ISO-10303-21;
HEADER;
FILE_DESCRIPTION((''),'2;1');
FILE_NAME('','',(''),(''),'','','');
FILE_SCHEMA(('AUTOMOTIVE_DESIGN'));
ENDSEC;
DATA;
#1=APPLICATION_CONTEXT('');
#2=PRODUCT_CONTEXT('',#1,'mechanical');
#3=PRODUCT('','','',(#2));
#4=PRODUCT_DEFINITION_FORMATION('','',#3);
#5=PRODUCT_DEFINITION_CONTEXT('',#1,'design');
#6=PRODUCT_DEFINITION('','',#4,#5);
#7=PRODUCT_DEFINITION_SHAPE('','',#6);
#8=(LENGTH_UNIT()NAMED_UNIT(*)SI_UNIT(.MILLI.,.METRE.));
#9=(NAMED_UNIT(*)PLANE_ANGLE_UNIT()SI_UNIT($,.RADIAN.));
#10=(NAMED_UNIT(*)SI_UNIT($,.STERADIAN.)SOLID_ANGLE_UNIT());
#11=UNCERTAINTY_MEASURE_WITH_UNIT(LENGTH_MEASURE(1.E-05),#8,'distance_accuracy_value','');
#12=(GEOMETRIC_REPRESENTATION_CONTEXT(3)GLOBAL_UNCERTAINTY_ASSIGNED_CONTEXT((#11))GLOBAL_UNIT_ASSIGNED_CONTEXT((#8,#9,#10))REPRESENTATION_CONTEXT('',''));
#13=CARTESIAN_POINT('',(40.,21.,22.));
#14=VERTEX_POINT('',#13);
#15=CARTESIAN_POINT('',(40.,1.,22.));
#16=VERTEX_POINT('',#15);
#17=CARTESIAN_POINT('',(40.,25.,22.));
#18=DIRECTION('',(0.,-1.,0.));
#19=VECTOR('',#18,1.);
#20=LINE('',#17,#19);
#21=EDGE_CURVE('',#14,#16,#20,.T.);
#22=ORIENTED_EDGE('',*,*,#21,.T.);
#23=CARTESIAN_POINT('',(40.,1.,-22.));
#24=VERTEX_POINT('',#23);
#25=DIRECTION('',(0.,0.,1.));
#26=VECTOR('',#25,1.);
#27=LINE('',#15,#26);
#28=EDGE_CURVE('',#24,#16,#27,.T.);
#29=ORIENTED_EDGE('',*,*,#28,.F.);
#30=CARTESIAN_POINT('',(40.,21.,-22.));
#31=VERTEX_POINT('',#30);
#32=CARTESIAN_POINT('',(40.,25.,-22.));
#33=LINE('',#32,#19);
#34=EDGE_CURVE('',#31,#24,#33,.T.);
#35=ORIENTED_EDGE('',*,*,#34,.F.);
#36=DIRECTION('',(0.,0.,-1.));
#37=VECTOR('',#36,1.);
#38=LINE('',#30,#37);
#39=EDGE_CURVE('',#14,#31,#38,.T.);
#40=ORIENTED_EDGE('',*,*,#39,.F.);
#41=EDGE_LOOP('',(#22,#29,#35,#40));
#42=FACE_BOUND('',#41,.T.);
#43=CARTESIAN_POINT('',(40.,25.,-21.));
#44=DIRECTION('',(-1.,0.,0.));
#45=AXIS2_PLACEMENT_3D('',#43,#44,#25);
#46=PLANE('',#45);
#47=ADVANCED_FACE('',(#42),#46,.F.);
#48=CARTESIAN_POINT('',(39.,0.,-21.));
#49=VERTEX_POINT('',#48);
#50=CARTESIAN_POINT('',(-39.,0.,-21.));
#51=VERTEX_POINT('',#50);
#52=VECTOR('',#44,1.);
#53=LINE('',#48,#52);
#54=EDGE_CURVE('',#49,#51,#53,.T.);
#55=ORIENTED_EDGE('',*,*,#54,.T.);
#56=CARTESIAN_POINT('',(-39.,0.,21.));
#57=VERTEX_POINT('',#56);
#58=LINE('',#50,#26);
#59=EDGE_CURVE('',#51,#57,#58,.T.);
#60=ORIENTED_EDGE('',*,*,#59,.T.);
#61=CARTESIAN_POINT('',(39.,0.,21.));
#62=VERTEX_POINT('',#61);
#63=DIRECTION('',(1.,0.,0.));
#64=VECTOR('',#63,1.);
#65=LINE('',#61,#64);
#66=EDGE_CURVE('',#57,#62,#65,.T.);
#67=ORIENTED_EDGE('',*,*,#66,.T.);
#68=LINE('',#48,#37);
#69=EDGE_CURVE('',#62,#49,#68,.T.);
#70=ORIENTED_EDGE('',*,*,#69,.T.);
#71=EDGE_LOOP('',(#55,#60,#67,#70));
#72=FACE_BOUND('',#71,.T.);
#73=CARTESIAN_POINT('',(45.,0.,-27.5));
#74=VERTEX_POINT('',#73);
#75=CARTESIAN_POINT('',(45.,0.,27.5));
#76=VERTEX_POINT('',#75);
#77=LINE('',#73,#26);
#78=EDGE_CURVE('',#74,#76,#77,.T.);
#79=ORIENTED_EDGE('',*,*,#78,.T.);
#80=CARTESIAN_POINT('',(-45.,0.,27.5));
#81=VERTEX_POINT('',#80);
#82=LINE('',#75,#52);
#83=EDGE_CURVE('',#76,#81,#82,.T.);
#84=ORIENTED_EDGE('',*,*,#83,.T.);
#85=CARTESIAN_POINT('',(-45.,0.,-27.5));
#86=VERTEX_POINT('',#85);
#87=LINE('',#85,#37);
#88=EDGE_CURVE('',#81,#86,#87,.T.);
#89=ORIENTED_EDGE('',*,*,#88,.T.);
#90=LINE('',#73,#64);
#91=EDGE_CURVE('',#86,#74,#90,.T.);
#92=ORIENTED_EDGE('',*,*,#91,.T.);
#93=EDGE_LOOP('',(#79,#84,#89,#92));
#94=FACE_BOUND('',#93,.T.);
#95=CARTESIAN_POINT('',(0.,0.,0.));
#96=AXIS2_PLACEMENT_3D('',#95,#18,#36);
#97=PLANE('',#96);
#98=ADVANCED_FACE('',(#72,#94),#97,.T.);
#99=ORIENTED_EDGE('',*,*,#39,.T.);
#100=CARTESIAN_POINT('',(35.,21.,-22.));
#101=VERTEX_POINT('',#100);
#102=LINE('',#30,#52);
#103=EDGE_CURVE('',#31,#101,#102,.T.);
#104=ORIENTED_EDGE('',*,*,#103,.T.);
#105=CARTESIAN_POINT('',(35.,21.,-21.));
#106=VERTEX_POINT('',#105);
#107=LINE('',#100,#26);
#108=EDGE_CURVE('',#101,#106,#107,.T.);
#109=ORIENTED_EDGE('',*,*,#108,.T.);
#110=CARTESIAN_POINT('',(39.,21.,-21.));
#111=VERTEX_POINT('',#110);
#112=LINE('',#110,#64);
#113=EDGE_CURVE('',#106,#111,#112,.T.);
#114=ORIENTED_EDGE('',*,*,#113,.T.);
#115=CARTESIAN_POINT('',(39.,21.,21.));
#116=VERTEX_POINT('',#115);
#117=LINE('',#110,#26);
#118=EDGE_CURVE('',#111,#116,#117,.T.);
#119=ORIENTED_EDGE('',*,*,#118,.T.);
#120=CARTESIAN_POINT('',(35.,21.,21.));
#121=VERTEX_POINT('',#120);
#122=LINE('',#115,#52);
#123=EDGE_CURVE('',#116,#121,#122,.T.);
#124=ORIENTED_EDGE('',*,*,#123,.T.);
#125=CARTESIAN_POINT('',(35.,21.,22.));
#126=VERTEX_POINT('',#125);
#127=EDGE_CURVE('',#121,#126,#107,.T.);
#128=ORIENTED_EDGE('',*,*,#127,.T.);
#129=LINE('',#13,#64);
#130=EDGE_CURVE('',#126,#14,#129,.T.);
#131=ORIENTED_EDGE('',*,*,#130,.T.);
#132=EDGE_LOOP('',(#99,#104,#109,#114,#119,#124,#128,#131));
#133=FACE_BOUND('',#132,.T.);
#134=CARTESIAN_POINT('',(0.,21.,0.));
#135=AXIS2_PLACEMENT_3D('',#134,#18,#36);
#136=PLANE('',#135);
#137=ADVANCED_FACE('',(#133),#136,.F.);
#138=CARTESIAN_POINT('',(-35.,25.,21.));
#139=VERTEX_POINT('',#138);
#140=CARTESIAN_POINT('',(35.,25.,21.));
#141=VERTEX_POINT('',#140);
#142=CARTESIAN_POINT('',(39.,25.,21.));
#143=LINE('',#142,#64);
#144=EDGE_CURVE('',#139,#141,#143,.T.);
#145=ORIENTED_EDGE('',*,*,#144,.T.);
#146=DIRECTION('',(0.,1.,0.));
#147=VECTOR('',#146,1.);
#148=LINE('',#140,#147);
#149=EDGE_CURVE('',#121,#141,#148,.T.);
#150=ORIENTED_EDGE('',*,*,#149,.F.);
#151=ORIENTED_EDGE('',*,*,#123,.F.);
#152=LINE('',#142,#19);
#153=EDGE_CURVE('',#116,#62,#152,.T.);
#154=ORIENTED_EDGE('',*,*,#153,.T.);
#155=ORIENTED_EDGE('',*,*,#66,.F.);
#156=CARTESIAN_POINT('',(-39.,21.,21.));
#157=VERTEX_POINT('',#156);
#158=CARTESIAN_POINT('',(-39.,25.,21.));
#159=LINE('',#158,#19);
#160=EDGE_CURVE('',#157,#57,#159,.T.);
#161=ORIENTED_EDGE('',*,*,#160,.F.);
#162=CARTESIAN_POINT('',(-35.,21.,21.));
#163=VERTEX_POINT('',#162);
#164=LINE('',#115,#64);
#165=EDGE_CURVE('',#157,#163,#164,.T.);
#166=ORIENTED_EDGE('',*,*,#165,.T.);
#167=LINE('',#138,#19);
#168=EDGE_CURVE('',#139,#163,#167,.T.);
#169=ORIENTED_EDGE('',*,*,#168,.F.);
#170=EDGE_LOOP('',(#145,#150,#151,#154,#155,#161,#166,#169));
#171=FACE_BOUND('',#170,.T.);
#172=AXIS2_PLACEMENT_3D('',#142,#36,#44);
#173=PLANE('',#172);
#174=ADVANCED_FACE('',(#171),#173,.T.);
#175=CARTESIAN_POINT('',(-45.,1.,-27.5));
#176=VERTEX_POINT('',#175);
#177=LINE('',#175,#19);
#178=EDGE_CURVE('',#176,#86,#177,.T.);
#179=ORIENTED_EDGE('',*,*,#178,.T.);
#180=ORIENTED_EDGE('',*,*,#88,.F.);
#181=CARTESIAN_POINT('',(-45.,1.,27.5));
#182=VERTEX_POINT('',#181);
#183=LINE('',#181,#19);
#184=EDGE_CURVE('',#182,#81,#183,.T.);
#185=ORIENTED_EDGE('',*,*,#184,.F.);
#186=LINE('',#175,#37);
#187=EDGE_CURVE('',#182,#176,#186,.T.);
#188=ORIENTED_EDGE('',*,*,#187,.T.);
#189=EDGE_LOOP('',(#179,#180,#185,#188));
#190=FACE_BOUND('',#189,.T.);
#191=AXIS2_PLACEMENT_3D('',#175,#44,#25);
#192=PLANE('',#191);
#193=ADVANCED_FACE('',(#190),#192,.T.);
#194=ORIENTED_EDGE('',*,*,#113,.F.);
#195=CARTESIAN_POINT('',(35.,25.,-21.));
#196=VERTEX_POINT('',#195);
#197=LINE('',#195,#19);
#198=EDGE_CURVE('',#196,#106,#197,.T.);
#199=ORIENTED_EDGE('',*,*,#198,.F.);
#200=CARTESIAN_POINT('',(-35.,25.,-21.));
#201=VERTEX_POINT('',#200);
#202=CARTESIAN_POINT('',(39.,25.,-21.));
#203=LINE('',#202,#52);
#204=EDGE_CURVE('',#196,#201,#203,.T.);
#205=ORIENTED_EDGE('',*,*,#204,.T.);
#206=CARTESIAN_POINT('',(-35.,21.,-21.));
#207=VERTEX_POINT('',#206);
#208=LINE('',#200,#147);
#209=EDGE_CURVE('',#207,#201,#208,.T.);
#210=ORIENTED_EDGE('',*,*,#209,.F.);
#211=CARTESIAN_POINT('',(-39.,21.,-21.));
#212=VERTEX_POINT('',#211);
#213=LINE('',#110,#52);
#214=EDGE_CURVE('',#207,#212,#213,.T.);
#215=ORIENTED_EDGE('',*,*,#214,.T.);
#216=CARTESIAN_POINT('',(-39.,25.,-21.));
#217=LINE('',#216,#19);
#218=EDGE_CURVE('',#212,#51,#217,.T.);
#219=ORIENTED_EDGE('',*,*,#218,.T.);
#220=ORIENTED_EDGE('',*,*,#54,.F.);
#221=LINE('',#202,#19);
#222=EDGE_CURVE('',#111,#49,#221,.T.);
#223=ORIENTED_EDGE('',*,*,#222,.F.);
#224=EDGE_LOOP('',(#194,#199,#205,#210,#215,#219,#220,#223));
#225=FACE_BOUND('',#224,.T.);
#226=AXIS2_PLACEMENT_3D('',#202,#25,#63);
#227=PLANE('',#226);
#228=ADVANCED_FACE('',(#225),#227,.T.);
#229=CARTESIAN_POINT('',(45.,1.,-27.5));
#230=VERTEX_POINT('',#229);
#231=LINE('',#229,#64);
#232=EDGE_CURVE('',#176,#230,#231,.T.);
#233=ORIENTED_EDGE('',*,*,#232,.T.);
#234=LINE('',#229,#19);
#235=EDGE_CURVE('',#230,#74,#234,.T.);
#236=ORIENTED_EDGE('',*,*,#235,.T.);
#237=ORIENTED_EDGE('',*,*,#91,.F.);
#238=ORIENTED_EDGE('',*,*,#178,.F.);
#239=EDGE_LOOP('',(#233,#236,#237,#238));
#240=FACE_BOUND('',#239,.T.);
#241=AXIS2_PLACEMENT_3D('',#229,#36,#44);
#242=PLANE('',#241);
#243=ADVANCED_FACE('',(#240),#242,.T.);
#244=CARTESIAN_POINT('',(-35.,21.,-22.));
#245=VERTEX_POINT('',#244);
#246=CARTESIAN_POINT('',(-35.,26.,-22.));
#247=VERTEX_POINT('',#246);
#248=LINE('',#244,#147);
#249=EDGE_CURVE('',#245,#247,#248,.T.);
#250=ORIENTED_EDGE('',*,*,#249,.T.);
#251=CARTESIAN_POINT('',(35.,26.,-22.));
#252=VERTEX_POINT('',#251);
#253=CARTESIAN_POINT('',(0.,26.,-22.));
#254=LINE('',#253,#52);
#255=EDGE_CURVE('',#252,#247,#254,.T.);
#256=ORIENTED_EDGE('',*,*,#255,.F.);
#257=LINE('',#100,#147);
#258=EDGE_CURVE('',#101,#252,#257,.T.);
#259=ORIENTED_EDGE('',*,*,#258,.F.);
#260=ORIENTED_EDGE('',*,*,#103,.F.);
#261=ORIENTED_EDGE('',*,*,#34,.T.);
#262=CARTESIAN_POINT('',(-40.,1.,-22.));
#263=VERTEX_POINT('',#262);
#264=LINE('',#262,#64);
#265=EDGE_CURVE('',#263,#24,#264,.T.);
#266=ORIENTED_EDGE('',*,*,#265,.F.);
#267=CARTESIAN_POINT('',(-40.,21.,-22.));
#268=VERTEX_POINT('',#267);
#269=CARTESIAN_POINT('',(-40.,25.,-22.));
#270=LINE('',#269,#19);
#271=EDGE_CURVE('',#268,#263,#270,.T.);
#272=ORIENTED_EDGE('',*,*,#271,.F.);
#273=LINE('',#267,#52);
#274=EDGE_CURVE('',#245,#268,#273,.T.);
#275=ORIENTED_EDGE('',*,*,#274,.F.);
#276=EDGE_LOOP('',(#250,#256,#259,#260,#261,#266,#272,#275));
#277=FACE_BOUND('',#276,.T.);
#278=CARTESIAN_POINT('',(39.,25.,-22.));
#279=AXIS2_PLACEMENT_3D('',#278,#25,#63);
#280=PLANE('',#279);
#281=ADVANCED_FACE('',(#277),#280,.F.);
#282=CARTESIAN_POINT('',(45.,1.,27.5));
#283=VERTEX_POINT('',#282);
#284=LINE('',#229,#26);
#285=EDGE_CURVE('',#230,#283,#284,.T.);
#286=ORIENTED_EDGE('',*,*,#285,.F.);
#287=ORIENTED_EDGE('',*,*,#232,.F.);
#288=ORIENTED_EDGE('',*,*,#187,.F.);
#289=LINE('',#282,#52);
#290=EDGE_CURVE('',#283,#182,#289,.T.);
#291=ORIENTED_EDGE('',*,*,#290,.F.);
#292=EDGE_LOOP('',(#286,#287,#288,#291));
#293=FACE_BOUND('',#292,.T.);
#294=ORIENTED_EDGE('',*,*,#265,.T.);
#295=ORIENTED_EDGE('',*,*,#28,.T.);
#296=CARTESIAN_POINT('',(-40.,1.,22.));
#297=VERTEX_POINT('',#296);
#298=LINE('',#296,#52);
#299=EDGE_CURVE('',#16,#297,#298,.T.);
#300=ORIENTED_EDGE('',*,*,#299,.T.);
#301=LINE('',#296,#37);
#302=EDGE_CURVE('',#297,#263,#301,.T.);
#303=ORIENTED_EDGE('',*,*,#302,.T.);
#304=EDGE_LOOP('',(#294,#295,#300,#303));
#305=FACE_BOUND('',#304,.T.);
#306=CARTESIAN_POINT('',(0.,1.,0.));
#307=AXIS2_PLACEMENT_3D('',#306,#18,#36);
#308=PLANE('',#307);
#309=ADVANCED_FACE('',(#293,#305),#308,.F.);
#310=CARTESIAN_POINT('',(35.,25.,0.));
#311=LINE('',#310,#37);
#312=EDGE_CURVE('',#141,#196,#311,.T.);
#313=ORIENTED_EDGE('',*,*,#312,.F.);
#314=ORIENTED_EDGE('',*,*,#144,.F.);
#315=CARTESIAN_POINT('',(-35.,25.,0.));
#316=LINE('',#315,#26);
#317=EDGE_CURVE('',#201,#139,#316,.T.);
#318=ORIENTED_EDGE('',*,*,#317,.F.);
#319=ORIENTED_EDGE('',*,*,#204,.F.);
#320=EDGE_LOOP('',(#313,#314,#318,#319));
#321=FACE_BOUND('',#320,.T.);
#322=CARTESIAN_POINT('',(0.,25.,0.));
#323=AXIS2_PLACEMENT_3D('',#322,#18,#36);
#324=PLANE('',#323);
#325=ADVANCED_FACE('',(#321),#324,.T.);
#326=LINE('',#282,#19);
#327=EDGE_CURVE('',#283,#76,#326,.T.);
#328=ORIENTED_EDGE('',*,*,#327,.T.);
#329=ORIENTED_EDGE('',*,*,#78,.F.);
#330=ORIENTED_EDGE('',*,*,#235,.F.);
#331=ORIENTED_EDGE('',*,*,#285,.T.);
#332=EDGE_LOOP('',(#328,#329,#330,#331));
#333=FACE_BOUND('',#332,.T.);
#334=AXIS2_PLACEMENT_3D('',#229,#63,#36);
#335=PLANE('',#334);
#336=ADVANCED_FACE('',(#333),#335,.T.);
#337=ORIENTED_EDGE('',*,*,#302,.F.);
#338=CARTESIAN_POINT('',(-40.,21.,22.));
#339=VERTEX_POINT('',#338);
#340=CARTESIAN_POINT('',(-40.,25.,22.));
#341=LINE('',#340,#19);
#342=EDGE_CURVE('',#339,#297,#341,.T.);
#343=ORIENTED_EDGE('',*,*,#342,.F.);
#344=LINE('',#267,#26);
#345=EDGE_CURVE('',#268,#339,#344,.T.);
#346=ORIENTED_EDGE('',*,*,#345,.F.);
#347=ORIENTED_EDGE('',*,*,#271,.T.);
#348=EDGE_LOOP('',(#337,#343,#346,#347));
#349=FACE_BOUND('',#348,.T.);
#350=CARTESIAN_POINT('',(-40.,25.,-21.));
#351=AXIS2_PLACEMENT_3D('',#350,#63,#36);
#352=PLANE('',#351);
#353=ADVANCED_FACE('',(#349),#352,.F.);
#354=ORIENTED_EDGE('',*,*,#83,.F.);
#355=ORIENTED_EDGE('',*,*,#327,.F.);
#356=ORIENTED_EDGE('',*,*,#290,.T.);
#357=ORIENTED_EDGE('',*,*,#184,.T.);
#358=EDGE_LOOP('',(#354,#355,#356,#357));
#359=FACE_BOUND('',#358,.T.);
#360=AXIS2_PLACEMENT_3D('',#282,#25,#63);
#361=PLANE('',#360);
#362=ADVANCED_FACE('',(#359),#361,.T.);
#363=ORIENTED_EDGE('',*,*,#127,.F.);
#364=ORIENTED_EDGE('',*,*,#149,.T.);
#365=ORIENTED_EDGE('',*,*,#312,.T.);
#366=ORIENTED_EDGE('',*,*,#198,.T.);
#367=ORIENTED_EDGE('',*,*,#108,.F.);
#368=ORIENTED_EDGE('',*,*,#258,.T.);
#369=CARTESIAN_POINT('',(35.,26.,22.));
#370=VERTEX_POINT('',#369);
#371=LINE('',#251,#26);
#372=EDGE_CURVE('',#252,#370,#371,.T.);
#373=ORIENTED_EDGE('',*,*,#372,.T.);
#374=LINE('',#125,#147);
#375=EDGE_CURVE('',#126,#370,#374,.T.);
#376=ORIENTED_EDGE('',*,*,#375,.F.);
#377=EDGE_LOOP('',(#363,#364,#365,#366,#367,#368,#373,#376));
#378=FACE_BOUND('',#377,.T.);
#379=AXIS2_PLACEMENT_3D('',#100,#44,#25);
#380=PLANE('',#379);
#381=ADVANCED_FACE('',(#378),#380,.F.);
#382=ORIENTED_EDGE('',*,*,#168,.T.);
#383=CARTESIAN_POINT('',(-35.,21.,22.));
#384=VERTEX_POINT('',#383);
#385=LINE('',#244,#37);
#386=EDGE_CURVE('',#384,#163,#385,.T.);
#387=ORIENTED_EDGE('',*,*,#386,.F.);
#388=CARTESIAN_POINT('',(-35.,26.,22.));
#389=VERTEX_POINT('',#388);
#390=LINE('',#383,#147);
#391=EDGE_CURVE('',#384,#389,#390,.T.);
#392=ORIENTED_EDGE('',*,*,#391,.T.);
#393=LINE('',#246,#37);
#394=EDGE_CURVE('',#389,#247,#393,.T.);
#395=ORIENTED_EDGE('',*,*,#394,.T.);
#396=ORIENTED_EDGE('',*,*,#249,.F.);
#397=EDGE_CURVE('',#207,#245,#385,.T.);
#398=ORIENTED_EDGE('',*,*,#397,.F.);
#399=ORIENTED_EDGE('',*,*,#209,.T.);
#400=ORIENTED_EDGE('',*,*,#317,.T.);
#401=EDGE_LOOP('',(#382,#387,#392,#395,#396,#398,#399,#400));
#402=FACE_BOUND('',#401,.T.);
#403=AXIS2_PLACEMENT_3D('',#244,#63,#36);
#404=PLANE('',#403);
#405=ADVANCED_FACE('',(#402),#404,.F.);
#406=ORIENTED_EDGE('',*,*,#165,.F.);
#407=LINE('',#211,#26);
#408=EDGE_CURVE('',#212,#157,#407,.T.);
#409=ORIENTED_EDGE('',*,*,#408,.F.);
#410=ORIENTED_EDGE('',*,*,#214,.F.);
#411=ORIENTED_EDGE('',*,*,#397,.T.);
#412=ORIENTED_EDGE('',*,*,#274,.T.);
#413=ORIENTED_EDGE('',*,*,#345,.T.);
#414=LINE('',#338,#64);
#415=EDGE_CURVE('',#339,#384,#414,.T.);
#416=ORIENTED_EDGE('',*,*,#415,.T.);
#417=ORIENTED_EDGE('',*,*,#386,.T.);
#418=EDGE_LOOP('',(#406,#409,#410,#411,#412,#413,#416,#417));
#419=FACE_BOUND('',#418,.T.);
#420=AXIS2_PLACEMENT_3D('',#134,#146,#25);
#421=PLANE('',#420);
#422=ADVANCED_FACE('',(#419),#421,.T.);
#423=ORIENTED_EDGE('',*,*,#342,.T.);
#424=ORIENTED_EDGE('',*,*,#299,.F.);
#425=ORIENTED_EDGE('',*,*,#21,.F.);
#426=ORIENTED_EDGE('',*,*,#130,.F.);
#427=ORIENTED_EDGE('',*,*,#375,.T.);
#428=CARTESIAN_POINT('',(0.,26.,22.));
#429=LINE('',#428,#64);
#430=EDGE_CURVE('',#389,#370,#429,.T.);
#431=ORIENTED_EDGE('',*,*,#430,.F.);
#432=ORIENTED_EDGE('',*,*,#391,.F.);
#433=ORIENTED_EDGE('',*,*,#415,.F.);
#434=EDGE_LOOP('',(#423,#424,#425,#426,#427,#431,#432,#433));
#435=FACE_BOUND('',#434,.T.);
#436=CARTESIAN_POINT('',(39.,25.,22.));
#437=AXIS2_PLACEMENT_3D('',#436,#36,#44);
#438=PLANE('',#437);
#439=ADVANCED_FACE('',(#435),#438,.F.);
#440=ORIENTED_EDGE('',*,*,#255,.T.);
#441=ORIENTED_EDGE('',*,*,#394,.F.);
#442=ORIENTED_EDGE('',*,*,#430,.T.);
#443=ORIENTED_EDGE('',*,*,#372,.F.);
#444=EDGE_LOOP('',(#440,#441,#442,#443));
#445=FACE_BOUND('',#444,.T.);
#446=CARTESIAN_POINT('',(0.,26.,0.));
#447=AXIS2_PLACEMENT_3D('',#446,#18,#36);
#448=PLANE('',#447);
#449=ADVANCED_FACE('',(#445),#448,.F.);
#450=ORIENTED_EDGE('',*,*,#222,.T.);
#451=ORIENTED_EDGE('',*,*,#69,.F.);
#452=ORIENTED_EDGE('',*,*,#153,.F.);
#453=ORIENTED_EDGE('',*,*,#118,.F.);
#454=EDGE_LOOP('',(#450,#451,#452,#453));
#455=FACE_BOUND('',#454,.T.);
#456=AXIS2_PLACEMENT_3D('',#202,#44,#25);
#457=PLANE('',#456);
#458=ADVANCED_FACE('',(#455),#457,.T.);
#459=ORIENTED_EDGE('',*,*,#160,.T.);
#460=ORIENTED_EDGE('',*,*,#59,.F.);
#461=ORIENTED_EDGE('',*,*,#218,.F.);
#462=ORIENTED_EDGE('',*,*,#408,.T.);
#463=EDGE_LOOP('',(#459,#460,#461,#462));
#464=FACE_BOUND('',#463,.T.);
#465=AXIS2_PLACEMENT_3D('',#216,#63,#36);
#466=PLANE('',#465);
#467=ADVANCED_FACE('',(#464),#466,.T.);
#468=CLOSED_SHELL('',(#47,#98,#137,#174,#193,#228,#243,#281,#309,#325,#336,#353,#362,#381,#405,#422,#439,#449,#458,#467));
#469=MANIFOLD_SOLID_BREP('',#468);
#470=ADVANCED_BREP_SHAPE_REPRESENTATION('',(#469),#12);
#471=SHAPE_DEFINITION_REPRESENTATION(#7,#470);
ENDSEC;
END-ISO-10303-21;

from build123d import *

# Parameters (mm, degrees)
SKETCH_1_W          = 78
SKETCH_1_H          = 42
EXTRUDE_1_DEPTH     = 25
SHELL_1_T           = 1
SKETCH_2_W          = 90
SKETCH_2_H          = 55
SKETCH_2_W_2        = 80
SKETCH_2_H_2        = 44
EXTRUDE_2_DEPTH     = 1
SKETCH_3_W          = 5
SKETCH_3_H          = 44
CUT_EXTRUDE_1_DEPTH = 5


with BuildPart() as part:
    # 草图1 → 凸台-拉伸1 (new body)
    with BuildSketch(Plane(origin=(0, 0, 0), x_dir=(1, 0, 0), z_dir=(0, 1, 0))):
        Rectangle(SKETCH_1_W, SKETCH_1_H)
    extrude(amount=EXTRUDE_1_DEPTH)

    # 抽壳1
    shell_1_openings = [part.faces().sort_by_distance(p)[0] for p in [
        (0, 0, 0),
    ]]
    offset(amount=SHELL_1_T, openings=shell_1_openings, kind=Kind.INTERSECTION)

    # 草图2 → 凸台-拉伸2 (add)
    with BuildSketch(Plane.XZ):
        Rectangle(SKETCH_2_W, SKETCH_2_H)
        Rectangle(SKETCH_2_W_2, SKETCH_2_H_2, mode=Mode.SUBTRACT)
    extrude(amount=-EXTRUDE_2_DEPTH)

    # 草图3 → 切除-拉伸1 (cut)
    with BuildSketch(Plane(origin=(0, 26, 0), x_dir=(1, 0, 0), z_dir=(0, 1, 0))):
        with Locations((-37.5, 0)):
            Rectangle(SKETCH_3_W, SKETCH_3_H)
        with Locations((37.5, 0)):
            Rectangle(SKETCH_3_W, SKETCH_3_H)
    extrude(amount=-CUT_EXTRUDE_1_DEPTH, mode=Mode.SUBTRACT)


solid = part.part
